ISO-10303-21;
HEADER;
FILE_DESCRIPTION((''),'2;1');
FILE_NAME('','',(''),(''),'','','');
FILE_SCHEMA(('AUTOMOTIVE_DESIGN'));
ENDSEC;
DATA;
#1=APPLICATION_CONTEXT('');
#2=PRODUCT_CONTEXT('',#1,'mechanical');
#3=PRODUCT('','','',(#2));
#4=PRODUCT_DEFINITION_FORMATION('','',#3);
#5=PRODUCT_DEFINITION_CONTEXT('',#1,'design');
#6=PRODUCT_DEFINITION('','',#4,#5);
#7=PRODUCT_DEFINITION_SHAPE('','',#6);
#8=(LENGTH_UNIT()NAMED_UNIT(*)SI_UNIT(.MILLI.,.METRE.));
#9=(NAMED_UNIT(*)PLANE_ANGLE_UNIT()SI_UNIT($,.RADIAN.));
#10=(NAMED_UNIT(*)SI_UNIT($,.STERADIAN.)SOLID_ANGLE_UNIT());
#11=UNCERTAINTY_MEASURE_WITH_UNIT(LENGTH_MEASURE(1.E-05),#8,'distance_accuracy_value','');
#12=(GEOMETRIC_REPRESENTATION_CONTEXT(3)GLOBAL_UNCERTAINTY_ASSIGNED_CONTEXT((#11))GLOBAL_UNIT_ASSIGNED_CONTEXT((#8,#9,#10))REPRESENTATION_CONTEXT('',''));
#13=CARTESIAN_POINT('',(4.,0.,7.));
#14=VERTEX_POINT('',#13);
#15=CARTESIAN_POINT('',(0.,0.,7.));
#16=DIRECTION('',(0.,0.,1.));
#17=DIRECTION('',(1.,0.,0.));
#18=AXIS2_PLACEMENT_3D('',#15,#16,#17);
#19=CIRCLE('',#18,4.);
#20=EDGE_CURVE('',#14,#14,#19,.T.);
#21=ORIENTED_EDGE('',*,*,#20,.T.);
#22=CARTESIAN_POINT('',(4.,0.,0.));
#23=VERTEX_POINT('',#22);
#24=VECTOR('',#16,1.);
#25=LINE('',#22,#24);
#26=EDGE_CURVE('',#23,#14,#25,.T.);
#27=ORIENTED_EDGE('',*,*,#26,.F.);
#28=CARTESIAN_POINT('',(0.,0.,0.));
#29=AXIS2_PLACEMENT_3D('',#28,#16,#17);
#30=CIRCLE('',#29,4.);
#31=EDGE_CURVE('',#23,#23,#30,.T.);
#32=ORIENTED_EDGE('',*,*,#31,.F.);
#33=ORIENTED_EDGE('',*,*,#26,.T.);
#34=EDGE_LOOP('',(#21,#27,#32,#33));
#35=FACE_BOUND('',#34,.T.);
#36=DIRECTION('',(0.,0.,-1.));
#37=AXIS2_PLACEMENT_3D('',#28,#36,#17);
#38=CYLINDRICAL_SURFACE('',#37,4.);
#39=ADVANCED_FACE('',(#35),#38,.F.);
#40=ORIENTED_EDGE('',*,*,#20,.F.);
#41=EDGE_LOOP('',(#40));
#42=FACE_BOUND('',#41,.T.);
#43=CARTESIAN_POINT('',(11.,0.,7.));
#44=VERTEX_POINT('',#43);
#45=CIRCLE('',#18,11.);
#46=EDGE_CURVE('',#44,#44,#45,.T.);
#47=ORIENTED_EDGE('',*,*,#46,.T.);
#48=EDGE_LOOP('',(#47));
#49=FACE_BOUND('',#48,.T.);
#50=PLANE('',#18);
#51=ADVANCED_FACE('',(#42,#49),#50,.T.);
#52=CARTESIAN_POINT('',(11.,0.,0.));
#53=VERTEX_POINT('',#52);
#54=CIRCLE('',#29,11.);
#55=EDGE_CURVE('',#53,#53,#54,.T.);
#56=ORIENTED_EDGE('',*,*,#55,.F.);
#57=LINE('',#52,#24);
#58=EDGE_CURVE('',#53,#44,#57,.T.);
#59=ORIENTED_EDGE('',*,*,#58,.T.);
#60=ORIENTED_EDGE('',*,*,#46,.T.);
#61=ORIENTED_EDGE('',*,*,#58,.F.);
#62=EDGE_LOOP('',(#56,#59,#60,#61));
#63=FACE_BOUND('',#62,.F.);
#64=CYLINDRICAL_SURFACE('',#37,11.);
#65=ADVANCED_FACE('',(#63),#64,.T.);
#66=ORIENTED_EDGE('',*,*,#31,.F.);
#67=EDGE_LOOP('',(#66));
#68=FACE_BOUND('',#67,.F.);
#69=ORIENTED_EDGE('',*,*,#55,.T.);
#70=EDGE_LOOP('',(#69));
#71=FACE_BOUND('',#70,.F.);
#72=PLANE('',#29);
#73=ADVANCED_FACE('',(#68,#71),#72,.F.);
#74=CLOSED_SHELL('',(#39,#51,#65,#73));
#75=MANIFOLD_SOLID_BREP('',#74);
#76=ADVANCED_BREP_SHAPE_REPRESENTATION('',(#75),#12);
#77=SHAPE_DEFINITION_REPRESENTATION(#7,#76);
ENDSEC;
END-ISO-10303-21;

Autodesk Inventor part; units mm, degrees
ref_plane "YZ Plane" through (0, 0, 0) normal (1, 0, 0) x (0, 1, 0)
ref_plane "XZ Plane" through (0, 0, 0) normal (0, 1, 0) x (-1, 0, 0)
ref_plane "XY Plane" through (0, 0, 0) normal (0, 0, 1) x (1, 0, 0)
sketch "Sketch1" plane through (0, 0, 0) normal (0, 0, 1) x (1, 0, 0)
  circle A0 centre (0, 0) radius 11
  circle A1 centre (0, 0) radius 4
  dimension "d0" = 8
  dimension "d1" = 22
extrude "Extrusion1" add sketch "Sketch1" along normal blind 7
properties part number "bearing_ABEC_7"
